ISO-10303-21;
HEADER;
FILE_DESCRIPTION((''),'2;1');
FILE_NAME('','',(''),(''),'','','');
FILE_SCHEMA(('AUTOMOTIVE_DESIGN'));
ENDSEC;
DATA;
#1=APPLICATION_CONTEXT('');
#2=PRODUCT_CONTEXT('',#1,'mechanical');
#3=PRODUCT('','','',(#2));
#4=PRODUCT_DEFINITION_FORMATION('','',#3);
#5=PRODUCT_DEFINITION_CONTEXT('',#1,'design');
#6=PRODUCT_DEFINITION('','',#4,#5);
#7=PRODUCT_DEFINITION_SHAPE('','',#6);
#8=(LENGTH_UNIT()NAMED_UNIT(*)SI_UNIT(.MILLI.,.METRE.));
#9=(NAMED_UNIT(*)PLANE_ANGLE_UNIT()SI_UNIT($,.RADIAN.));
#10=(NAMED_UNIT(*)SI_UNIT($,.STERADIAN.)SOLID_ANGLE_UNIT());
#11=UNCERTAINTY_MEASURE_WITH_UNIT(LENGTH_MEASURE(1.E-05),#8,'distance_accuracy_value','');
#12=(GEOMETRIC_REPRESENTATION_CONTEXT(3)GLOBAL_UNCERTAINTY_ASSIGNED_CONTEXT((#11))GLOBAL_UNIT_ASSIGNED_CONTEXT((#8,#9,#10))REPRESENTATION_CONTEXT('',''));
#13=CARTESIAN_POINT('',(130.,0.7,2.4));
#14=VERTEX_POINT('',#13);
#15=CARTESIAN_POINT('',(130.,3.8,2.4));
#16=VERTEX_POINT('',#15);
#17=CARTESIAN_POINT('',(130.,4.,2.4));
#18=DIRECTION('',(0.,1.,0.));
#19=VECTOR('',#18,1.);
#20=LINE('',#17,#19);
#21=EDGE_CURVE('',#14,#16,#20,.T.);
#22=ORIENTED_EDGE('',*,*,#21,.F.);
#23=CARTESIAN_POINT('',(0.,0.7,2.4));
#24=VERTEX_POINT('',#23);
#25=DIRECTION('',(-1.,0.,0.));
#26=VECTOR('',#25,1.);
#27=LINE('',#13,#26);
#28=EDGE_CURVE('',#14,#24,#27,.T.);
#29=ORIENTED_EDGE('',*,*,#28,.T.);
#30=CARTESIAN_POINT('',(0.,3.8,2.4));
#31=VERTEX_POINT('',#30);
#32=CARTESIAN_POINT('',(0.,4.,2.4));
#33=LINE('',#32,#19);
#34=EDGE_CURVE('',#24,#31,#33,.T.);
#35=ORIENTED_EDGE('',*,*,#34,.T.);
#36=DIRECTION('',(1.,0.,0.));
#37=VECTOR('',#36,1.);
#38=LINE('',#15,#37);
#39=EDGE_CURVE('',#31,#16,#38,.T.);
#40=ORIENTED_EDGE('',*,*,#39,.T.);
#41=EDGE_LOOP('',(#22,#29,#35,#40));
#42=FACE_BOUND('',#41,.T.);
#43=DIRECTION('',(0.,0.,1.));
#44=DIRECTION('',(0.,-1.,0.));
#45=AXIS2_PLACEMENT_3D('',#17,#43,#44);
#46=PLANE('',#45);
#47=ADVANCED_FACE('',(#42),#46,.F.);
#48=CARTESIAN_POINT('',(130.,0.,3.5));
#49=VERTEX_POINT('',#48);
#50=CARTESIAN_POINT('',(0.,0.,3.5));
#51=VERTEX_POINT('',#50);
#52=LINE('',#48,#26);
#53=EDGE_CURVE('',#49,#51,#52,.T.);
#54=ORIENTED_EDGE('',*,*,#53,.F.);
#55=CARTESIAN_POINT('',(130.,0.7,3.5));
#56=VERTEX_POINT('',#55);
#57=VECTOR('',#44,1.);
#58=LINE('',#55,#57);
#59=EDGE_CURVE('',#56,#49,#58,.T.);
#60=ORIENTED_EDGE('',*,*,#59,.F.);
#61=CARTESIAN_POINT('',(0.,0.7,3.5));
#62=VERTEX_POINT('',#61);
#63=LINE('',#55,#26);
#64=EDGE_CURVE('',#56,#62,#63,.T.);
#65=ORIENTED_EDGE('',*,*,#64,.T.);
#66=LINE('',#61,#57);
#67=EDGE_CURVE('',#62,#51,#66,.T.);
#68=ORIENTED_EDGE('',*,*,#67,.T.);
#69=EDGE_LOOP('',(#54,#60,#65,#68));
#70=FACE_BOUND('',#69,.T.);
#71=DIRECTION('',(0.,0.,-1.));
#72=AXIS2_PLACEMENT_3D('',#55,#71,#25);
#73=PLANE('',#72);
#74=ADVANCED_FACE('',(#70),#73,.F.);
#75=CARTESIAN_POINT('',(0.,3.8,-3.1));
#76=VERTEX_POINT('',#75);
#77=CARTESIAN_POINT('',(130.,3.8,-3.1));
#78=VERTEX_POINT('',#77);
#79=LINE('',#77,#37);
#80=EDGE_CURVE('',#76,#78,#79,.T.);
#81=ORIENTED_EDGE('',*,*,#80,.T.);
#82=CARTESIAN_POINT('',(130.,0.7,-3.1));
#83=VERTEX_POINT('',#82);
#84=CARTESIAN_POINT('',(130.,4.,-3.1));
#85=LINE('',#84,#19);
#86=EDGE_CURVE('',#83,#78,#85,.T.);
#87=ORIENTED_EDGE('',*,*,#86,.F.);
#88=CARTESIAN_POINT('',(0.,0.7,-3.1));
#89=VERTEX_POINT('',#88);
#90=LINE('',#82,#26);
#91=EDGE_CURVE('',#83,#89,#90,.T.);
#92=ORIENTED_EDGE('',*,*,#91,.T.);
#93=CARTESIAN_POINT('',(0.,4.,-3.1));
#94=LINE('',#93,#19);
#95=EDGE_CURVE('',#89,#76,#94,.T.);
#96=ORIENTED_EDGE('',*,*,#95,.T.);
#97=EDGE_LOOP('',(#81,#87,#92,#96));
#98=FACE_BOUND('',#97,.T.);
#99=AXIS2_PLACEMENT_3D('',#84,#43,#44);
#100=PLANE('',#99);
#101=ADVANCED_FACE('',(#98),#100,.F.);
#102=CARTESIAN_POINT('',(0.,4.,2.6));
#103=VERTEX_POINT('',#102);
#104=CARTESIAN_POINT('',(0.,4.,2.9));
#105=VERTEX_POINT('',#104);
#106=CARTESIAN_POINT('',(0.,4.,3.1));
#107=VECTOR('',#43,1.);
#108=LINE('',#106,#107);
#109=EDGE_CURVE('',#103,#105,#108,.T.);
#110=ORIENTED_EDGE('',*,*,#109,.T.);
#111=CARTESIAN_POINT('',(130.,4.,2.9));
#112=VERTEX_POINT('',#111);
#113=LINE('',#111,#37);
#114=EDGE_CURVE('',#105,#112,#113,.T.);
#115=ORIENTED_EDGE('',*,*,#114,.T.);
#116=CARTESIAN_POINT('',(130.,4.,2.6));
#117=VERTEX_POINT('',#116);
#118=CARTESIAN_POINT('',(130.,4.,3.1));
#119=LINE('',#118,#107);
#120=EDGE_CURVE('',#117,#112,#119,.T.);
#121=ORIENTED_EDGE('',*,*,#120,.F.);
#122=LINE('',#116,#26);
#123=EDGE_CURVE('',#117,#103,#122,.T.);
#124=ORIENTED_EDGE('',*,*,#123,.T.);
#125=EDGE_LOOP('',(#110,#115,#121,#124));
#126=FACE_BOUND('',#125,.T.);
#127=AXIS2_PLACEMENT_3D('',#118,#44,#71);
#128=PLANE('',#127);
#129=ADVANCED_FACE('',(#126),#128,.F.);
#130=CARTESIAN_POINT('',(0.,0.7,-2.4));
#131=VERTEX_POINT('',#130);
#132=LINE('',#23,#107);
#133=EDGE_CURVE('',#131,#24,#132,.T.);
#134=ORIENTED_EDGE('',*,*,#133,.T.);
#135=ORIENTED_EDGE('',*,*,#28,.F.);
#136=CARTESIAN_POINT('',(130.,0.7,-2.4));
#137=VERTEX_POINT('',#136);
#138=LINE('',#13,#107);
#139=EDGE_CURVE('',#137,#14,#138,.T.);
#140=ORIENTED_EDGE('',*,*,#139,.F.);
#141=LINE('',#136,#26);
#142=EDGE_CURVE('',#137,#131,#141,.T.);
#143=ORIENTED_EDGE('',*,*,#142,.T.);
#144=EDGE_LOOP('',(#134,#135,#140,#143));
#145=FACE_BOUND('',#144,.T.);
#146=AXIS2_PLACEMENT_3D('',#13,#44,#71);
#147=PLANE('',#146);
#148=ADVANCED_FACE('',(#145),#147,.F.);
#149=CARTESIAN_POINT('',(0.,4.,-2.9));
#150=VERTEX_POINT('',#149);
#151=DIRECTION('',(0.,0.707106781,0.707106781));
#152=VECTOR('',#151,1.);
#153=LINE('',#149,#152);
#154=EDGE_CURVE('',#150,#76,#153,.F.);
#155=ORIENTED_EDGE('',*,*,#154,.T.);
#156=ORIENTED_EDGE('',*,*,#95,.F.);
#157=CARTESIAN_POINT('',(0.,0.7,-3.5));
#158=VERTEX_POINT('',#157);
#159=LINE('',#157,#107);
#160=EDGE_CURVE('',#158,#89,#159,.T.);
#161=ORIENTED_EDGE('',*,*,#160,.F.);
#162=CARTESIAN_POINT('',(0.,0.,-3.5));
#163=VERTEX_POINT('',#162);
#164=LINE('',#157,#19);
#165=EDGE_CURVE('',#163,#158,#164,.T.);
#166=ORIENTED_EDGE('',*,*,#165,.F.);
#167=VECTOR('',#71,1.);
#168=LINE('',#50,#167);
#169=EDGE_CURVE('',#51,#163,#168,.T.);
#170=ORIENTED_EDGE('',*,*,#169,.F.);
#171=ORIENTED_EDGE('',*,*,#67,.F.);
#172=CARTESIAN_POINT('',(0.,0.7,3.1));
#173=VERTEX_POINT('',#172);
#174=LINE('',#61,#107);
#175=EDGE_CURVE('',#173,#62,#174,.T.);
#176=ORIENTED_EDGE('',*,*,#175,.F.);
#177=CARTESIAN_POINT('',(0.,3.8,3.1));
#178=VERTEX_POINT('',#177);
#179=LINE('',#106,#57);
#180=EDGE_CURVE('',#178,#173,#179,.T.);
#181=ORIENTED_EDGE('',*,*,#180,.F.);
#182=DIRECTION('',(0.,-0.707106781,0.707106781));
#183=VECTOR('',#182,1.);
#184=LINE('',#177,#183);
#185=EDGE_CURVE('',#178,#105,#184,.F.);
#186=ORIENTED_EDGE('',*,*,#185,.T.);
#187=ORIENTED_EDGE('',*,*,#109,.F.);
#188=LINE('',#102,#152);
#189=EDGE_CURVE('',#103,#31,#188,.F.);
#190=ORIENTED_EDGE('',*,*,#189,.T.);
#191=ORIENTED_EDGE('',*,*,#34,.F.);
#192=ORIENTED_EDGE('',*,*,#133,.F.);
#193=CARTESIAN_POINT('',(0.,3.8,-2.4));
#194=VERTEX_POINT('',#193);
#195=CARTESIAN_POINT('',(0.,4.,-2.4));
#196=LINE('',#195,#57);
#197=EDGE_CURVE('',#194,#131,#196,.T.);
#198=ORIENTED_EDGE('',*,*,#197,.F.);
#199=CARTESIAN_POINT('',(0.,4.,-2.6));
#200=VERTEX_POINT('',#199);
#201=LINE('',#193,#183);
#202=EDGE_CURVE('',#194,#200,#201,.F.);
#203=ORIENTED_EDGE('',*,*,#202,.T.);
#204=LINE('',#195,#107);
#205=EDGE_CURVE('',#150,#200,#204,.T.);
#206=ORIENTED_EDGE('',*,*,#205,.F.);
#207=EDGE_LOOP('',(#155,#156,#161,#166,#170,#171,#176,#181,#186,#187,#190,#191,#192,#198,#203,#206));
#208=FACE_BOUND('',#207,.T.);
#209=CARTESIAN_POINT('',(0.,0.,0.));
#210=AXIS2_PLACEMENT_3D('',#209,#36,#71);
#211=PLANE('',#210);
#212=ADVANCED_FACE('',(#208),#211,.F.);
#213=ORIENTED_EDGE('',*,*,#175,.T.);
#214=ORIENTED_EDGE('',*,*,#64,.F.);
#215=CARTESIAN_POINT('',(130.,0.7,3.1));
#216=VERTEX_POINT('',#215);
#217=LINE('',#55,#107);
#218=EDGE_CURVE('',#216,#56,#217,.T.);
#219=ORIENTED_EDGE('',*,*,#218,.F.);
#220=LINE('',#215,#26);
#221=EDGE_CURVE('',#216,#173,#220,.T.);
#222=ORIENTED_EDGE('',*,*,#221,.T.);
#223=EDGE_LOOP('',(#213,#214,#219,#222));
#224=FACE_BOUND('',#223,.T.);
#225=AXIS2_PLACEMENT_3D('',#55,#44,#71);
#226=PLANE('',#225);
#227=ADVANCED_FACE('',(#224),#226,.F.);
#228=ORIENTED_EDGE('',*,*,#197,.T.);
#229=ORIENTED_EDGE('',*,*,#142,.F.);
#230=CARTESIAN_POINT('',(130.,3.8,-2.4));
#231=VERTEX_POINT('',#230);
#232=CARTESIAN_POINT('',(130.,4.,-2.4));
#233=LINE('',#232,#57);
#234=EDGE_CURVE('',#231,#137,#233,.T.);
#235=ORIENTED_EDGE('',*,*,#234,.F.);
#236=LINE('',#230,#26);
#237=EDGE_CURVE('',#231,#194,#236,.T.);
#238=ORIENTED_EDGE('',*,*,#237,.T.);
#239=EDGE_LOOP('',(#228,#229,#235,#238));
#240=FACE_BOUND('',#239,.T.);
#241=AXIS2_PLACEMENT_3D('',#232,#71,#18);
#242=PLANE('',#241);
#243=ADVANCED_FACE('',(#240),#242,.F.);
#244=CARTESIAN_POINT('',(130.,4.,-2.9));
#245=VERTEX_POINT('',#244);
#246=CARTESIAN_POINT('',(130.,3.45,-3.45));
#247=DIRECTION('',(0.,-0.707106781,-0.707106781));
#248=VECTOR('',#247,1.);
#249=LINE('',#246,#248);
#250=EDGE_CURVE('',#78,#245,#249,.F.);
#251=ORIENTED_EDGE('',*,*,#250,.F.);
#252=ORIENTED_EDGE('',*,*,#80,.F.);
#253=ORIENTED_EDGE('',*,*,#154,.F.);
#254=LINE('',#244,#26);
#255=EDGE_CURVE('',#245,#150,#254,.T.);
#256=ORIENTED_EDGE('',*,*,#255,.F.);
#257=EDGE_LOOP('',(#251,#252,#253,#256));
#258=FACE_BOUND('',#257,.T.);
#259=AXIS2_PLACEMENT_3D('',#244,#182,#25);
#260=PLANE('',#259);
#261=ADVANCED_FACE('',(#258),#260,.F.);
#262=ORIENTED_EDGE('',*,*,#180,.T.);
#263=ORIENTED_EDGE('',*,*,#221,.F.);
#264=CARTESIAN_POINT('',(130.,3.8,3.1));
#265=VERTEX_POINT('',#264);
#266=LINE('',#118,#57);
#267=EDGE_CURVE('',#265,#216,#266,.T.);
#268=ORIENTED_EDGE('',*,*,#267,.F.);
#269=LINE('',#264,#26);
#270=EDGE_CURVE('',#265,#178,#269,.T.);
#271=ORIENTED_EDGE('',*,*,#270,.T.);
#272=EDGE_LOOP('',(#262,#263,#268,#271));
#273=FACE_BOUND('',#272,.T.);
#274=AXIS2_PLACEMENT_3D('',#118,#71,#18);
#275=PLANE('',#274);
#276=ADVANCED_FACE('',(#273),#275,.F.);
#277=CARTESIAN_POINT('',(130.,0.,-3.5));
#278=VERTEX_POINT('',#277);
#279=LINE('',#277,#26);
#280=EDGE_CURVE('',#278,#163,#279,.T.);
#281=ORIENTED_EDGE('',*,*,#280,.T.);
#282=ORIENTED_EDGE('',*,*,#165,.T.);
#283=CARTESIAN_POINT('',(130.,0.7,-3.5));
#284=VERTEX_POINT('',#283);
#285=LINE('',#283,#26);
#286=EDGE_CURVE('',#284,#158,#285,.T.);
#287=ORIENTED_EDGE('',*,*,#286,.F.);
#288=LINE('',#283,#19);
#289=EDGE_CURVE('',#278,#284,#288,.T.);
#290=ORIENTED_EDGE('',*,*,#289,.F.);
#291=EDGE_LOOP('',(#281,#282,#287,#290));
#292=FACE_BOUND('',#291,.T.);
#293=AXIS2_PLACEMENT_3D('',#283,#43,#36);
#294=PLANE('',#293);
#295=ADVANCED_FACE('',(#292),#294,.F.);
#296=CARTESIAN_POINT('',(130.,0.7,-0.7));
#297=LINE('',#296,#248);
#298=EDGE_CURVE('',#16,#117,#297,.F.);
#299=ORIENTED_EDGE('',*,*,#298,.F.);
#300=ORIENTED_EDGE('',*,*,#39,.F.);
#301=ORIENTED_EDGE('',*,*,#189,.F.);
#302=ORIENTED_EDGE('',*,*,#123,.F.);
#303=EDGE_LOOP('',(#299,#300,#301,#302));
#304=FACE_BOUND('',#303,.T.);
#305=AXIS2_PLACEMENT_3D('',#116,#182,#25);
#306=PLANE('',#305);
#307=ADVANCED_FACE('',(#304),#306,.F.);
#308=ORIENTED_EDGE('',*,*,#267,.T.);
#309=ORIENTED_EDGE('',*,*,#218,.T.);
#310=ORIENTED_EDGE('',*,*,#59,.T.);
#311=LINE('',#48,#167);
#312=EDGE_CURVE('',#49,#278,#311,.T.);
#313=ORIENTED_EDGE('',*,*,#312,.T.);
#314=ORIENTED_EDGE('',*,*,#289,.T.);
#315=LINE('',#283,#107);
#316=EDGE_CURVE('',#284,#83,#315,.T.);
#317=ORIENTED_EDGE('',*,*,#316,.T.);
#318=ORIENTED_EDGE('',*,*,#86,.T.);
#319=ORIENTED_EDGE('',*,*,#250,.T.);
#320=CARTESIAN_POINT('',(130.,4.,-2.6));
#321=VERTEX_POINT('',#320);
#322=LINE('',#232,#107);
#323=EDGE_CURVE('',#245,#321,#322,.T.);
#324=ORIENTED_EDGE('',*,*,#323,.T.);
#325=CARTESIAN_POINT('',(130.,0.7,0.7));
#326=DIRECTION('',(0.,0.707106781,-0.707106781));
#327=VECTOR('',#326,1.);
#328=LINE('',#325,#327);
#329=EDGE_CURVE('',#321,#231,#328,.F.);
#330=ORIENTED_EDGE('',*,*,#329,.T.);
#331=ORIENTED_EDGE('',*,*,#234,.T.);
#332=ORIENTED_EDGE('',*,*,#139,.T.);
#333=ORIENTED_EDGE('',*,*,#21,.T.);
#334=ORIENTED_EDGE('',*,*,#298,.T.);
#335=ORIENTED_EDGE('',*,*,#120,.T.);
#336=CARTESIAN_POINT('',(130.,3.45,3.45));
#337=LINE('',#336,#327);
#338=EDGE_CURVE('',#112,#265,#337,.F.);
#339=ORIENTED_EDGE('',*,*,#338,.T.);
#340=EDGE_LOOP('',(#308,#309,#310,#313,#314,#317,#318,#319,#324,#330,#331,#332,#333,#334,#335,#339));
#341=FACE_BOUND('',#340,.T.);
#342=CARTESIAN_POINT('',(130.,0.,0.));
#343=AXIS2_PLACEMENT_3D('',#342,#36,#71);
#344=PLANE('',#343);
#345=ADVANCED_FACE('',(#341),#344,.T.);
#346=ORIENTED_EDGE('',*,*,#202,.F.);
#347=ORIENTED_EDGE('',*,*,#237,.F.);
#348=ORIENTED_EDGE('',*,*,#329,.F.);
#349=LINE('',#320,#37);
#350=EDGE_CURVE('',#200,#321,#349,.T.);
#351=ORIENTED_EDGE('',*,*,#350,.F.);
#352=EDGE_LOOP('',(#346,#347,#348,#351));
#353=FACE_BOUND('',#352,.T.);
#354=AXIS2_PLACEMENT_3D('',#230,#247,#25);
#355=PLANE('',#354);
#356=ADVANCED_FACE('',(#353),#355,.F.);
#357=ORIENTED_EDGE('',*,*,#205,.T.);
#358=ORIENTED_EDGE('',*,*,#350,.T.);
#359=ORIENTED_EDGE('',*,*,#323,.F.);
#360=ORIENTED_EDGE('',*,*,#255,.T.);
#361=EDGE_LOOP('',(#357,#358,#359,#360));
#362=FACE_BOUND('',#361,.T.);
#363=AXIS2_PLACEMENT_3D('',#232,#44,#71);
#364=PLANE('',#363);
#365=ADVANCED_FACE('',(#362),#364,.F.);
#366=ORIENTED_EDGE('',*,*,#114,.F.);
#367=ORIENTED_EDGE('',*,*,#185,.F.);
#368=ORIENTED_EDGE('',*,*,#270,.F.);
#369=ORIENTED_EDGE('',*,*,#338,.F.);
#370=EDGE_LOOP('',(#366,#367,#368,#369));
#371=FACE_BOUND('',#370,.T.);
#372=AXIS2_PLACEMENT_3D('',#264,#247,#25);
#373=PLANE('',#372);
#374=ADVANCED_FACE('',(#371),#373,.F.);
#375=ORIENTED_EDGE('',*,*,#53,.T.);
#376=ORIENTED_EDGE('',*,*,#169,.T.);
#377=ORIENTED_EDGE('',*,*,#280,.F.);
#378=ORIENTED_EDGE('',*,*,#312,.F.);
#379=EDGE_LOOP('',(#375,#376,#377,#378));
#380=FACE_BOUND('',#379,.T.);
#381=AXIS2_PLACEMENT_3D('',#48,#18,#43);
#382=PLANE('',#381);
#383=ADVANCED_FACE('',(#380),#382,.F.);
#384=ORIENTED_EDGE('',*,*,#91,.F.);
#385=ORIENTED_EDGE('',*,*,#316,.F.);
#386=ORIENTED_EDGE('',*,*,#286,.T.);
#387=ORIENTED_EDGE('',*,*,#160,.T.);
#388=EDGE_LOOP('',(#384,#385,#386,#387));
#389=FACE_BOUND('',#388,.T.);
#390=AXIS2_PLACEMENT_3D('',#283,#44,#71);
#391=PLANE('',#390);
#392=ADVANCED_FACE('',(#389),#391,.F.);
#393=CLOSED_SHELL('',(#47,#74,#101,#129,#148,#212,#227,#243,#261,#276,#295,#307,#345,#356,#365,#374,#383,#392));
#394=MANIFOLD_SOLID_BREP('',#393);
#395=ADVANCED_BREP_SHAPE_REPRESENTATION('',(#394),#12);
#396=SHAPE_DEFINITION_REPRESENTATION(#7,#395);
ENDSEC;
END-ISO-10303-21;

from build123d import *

# Parameters (mm, degrees)
EXTRUDE_1_DEPTH = 130
CHAMFER_1_SIZE  = 0.2


with BuildPart() as part:
    # 草图1 → 凸台-拉伸1 (new body)
    with BuildSketch(Plane(origin=(0, 0, 0), x_dir=(0, 0, -1), z_dir=(1, 0, 0))):
        Polygon((2.4, 4), (3.1, 4), (3.1, 0.7), (3.5, 0.7), (3.5, 0), (-3.5, 0), (-3.5, 0.7), (-3.1, 0.7), (-3.1, 4), (-2.4, 4), (-2.4, 0.7), (2.4, 0.7), align=None)
    extrude(amount=EXTRUDE_1_DEPTH)

    # 倒角1
    chamfer_1_edges = [part.edges().sort_by_distance(p)[0] for p in [
        (65, 4, 3.1),
        (65, 4, 2.4),
        (65, 4, -2.4),
        (65, 4, -3.1),
    ]]
    chamfer(chamfer_1_edges, length=CHAMFER_1_SIZE)


solid = part.part
